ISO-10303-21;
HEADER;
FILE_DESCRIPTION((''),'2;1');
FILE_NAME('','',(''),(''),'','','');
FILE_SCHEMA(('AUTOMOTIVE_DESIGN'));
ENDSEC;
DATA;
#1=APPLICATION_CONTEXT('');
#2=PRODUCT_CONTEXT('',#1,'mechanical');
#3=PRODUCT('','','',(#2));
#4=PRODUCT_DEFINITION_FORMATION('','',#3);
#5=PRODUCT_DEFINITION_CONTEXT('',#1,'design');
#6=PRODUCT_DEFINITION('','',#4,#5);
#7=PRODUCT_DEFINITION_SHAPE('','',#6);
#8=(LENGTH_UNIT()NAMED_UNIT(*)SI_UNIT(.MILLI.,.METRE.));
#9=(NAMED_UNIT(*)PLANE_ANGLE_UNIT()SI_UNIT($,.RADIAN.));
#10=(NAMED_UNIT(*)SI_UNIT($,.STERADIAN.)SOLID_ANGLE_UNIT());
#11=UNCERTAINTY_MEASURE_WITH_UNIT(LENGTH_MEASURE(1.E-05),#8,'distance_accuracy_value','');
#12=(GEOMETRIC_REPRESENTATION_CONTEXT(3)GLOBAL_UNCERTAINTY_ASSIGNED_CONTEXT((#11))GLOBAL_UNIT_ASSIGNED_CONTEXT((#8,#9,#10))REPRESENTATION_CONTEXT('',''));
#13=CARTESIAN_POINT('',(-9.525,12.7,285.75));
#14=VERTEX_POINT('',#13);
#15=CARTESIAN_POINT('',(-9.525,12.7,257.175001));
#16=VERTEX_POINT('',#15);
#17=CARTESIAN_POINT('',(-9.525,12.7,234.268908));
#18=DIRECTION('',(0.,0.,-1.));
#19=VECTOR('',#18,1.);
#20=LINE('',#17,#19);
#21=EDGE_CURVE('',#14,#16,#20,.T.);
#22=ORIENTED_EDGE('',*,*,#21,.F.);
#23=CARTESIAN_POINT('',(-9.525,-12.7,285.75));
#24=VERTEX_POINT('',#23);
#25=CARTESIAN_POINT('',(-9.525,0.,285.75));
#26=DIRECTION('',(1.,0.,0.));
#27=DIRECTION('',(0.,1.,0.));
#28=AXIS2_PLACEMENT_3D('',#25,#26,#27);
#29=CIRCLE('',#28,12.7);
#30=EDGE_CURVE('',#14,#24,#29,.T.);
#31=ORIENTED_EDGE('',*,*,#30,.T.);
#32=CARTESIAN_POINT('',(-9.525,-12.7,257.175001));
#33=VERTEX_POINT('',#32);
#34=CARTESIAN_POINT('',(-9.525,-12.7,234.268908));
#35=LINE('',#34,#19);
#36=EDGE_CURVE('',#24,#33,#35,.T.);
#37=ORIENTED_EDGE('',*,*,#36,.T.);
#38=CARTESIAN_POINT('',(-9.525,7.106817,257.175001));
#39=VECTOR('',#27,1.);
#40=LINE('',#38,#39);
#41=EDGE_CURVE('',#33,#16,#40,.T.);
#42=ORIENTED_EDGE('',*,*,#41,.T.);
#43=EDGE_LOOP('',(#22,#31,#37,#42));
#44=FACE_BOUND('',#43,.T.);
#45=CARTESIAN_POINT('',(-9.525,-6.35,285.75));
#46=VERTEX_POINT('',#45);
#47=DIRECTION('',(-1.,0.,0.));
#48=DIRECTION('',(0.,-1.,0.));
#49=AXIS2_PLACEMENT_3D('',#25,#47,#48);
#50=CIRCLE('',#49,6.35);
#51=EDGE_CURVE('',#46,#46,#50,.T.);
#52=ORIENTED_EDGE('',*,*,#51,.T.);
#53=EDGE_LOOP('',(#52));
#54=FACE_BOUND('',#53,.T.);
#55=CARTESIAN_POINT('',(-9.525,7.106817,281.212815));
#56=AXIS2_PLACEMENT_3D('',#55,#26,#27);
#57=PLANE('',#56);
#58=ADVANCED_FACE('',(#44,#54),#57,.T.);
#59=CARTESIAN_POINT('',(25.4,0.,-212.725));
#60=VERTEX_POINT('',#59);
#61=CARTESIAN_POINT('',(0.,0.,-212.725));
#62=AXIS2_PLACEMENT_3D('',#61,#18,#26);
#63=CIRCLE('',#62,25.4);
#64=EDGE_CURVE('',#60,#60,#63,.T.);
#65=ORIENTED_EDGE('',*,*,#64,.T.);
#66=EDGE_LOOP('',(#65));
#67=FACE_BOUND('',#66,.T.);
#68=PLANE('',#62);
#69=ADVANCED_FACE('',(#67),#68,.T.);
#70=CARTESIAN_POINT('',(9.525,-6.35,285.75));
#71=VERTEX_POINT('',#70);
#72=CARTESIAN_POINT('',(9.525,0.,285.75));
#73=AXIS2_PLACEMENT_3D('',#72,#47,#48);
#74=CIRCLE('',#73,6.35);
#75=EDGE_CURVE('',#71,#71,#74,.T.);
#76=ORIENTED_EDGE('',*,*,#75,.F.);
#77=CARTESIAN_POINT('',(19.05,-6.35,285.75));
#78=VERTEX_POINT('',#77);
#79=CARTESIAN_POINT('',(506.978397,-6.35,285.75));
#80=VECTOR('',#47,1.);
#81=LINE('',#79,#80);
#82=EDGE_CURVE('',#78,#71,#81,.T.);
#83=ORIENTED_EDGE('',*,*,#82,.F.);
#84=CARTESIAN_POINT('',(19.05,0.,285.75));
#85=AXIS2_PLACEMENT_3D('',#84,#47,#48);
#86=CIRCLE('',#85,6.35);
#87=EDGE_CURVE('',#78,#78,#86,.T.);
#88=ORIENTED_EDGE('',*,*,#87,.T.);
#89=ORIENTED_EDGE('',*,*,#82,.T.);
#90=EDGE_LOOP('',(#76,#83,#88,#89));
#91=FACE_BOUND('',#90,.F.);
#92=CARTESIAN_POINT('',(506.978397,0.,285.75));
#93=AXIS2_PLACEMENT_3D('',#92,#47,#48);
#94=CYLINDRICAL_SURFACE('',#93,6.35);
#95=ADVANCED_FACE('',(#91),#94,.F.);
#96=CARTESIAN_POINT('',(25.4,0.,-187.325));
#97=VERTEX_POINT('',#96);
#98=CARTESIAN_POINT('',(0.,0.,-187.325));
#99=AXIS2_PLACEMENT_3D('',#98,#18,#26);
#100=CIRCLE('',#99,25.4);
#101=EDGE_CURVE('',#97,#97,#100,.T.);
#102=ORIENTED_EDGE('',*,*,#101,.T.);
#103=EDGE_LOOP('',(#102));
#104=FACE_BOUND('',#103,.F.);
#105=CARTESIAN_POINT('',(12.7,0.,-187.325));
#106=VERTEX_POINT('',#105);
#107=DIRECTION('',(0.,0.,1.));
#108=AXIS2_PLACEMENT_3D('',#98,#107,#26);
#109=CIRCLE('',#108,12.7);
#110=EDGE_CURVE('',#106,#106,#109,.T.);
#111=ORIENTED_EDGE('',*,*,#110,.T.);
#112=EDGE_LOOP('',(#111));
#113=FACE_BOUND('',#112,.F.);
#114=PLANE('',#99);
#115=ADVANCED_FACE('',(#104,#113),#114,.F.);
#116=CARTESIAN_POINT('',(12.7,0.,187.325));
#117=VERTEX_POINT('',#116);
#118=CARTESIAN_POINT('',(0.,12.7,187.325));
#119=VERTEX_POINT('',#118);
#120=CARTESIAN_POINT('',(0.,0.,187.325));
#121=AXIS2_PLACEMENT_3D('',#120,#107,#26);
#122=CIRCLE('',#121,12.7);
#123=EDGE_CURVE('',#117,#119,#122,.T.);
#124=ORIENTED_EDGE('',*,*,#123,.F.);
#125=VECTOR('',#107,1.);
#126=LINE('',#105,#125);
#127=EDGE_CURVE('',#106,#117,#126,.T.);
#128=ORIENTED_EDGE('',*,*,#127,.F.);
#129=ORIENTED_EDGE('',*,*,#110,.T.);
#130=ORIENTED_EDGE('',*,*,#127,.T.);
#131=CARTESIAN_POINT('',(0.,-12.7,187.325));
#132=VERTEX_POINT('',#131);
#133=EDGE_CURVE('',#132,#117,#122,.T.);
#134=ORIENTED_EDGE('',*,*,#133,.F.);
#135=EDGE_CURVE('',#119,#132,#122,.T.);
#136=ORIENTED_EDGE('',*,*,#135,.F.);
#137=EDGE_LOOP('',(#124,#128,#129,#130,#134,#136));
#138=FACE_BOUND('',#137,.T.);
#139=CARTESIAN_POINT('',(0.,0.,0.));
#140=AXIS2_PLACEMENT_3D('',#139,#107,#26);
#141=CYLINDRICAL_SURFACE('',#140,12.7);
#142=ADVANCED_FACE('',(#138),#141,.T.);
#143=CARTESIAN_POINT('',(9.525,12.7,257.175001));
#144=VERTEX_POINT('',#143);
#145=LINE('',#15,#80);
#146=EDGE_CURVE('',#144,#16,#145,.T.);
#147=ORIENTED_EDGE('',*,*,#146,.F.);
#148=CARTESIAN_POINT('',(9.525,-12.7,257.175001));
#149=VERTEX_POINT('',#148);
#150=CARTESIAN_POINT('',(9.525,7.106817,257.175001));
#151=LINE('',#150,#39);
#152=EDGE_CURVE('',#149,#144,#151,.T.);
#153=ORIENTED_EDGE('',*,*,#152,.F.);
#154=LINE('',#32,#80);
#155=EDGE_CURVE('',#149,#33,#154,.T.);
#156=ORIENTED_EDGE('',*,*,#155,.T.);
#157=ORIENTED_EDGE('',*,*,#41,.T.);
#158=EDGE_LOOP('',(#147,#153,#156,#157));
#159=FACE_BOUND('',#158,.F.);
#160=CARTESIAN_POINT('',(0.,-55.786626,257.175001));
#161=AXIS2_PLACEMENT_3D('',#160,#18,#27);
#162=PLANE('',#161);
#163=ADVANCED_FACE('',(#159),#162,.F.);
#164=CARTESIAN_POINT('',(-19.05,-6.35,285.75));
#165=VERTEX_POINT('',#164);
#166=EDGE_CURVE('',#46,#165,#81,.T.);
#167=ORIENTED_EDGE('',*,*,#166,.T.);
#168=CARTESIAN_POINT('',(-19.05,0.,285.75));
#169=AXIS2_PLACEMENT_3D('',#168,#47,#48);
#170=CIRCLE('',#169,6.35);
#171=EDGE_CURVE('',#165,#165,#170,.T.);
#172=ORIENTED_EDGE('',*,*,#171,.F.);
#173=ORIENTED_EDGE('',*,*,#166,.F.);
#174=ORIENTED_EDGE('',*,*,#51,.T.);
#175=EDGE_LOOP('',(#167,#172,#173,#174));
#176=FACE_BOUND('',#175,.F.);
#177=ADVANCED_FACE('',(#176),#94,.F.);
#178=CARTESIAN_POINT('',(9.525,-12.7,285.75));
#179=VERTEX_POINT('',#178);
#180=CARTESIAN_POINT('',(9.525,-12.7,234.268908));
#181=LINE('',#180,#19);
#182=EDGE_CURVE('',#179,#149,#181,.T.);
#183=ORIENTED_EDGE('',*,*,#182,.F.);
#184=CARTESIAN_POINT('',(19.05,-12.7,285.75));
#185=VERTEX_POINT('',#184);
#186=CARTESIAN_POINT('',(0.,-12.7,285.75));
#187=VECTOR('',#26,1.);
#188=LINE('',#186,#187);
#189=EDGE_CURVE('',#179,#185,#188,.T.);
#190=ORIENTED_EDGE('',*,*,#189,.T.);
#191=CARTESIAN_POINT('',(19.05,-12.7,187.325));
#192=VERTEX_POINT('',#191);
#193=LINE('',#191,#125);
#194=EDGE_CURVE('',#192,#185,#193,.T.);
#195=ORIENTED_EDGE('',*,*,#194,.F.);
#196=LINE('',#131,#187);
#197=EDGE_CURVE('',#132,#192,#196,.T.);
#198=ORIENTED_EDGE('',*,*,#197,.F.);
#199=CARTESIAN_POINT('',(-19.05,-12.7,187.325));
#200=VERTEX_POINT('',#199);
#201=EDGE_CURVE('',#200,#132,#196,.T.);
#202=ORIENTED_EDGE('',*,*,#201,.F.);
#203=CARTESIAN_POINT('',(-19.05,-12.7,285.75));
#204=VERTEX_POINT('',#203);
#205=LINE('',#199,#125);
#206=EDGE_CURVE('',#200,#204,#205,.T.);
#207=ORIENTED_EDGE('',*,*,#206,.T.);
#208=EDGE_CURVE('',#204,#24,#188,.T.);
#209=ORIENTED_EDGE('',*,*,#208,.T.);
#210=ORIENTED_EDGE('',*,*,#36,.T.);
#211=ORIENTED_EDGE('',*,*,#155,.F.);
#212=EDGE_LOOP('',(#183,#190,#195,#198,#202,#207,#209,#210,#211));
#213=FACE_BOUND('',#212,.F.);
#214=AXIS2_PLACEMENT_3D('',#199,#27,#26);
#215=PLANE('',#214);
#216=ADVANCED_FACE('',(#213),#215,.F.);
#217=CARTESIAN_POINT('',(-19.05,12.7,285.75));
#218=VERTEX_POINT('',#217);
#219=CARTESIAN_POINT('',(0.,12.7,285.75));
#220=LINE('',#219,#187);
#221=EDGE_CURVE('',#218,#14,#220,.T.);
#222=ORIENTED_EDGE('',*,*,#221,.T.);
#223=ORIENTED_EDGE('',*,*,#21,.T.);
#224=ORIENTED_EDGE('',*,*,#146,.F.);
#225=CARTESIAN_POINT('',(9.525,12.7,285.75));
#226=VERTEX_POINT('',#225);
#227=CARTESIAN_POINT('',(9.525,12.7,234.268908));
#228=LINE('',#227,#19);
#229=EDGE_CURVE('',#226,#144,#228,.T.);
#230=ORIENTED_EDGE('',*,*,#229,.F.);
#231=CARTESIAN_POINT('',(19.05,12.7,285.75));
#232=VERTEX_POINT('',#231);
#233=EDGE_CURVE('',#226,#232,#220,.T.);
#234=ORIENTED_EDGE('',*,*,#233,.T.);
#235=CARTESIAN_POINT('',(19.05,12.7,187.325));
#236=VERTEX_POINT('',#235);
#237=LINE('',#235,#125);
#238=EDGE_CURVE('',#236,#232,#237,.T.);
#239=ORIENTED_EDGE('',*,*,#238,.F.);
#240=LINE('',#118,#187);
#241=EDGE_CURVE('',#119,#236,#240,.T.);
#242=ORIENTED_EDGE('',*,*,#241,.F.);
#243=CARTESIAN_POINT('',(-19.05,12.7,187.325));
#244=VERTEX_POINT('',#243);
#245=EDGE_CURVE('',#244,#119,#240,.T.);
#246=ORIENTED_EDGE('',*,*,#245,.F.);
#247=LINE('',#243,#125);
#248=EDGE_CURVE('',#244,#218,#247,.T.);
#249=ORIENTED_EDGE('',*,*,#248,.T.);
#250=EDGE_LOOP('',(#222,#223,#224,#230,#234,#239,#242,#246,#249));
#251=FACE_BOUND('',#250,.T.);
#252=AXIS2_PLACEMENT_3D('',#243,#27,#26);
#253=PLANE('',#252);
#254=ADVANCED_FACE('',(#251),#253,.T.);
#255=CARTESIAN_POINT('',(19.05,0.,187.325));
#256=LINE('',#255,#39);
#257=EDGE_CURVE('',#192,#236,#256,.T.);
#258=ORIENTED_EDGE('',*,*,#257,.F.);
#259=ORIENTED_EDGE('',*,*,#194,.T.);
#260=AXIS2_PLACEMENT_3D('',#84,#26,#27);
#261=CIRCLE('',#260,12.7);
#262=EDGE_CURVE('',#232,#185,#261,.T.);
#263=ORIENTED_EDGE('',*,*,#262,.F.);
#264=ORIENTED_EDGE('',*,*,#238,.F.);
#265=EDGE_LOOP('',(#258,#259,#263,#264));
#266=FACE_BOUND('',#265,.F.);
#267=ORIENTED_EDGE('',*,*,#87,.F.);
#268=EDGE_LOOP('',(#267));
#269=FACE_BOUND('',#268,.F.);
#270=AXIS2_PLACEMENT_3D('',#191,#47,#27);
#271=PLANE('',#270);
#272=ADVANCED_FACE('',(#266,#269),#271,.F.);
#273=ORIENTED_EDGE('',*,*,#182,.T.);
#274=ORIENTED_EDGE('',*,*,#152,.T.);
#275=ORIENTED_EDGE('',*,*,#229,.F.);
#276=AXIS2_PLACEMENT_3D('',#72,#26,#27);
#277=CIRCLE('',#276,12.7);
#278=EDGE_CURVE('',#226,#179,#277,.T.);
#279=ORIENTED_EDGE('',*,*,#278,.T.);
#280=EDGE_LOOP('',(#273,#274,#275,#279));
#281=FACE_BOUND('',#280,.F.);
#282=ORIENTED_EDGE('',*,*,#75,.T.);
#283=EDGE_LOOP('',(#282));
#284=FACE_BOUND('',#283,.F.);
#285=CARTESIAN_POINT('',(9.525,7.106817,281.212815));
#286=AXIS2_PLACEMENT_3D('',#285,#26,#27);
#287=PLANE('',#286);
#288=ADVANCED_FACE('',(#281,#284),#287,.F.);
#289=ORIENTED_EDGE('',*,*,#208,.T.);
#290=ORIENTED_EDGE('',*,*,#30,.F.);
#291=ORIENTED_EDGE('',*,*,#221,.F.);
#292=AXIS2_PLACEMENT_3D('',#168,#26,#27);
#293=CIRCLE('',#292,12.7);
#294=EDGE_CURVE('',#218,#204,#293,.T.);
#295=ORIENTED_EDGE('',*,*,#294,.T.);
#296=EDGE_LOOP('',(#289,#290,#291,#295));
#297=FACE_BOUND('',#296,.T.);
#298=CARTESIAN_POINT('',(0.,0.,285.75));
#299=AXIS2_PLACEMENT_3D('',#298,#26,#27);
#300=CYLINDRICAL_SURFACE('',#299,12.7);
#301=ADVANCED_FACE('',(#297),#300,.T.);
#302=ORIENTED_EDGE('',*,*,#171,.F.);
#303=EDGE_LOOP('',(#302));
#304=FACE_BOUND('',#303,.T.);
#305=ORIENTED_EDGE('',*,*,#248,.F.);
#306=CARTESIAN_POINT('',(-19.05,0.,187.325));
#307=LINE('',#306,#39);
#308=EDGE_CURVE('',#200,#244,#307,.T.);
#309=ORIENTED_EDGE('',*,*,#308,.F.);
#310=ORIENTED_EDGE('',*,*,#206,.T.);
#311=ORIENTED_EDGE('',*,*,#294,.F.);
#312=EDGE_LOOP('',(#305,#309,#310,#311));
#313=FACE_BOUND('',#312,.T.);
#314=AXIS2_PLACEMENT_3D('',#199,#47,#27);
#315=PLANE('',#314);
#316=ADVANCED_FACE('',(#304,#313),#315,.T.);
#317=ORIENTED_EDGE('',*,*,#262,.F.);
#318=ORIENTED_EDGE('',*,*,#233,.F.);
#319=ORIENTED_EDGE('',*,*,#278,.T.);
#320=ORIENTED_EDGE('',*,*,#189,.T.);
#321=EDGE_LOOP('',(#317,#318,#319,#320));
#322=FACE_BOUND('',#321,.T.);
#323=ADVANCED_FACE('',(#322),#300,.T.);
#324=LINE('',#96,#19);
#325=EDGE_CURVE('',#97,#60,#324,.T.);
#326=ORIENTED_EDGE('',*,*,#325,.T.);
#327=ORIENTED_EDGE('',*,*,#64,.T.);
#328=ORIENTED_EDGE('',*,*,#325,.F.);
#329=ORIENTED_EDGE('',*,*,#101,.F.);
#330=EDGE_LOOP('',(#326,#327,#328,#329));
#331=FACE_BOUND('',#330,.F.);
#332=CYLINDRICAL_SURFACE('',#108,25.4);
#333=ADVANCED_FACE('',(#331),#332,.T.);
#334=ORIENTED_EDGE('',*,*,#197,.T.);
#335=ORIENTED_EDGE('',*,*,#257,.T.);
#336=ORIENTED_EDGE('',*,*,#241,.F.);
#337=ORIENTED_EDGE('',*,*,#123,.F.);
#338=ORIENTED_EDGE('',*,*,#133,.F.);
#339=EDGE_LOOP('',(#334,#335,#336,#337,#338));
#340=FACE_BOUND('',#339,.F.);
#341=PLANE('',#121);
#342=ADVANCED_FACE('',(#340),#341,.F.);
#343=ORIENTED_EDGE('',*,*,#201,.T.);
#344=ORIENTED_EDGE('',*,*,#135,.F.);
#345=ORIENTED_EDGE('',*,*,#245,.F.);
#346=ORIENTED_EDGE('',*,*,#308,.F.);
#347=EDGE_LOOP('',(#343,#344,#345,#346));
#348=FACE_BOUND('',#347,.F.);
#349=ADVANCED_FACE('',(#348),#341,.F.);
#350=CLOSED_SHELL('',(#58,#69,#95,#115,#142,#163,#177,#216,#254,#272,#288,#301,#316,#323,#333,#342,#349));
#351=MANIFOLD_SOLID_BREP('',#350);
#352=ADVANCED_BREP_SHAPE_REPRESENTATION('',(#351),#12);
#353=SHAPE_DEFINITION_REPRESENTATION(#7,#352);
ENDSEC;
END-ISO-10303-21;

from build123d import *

# Parameters (mm, degrees)
F0_R      = 12.7
F1_DEPTH  = 187.325
F3_W      = 38.1
F3_H      = 25.4
F4_DEPTH  = 98.425
F5_W      = 38.1
F5_H      = 12.7
F8_D      = 12.7
F9_R      = 25.4
F10_DEPTH = 25.4
F11_W     = 125.786887
F11_H     = 48.075629
F12_DEPTH = 9.525


with BuildPart() as f1:
    # F0 (on Top) → F1 (new body, symmetric)
    with BuildSketch(Plane.XY):
        Circle(F0_R)
    extrude(amount=F1_DEPTH, both=True)

    # F3 (on offset) → F4 (join)
    with BuildSketch(Plane.XY.offset(187.325)):
        Rectangle(F3_W, F3_H)
    extrude(amount=F4_DEPTH)

    # F5 (on face) → F6 (revolve)
    with BuildSketch(Plane.XY.offset(285.75)):
        with Locations((0, 6.35)):
            Rectangle(F5_W, F5_H)
    revolve(axis=Axis((0, 0, 285.75), (1, 0, 0)))

    # F8 (through all)
    with Locations(Plane.YZ.offset(19.05)):
        with Locations((0, 285.75)):
            Hole(F8_D / 2)

    # F9 (on face) → F10 (join)
    with BuildSketch(Plane(origin=(0, 0, -187.325), x_dir=(1, 0, 0), z_dir=(0, 0, -1))):
        Circle(F9_R)
    extrude(amount=F10_DEPTH)

    # F11 (on Right) → F12 (cut, symmetric)
    with BuildSketch(Plane.YZ):
        with Locations((7.106817, 281.212815)):
            Rectangle(F11_W, F11_H)
    extrude(amount=F12_DEPTH, both=True, mode=Mode.SUBTRACT)


solid = f1.part
